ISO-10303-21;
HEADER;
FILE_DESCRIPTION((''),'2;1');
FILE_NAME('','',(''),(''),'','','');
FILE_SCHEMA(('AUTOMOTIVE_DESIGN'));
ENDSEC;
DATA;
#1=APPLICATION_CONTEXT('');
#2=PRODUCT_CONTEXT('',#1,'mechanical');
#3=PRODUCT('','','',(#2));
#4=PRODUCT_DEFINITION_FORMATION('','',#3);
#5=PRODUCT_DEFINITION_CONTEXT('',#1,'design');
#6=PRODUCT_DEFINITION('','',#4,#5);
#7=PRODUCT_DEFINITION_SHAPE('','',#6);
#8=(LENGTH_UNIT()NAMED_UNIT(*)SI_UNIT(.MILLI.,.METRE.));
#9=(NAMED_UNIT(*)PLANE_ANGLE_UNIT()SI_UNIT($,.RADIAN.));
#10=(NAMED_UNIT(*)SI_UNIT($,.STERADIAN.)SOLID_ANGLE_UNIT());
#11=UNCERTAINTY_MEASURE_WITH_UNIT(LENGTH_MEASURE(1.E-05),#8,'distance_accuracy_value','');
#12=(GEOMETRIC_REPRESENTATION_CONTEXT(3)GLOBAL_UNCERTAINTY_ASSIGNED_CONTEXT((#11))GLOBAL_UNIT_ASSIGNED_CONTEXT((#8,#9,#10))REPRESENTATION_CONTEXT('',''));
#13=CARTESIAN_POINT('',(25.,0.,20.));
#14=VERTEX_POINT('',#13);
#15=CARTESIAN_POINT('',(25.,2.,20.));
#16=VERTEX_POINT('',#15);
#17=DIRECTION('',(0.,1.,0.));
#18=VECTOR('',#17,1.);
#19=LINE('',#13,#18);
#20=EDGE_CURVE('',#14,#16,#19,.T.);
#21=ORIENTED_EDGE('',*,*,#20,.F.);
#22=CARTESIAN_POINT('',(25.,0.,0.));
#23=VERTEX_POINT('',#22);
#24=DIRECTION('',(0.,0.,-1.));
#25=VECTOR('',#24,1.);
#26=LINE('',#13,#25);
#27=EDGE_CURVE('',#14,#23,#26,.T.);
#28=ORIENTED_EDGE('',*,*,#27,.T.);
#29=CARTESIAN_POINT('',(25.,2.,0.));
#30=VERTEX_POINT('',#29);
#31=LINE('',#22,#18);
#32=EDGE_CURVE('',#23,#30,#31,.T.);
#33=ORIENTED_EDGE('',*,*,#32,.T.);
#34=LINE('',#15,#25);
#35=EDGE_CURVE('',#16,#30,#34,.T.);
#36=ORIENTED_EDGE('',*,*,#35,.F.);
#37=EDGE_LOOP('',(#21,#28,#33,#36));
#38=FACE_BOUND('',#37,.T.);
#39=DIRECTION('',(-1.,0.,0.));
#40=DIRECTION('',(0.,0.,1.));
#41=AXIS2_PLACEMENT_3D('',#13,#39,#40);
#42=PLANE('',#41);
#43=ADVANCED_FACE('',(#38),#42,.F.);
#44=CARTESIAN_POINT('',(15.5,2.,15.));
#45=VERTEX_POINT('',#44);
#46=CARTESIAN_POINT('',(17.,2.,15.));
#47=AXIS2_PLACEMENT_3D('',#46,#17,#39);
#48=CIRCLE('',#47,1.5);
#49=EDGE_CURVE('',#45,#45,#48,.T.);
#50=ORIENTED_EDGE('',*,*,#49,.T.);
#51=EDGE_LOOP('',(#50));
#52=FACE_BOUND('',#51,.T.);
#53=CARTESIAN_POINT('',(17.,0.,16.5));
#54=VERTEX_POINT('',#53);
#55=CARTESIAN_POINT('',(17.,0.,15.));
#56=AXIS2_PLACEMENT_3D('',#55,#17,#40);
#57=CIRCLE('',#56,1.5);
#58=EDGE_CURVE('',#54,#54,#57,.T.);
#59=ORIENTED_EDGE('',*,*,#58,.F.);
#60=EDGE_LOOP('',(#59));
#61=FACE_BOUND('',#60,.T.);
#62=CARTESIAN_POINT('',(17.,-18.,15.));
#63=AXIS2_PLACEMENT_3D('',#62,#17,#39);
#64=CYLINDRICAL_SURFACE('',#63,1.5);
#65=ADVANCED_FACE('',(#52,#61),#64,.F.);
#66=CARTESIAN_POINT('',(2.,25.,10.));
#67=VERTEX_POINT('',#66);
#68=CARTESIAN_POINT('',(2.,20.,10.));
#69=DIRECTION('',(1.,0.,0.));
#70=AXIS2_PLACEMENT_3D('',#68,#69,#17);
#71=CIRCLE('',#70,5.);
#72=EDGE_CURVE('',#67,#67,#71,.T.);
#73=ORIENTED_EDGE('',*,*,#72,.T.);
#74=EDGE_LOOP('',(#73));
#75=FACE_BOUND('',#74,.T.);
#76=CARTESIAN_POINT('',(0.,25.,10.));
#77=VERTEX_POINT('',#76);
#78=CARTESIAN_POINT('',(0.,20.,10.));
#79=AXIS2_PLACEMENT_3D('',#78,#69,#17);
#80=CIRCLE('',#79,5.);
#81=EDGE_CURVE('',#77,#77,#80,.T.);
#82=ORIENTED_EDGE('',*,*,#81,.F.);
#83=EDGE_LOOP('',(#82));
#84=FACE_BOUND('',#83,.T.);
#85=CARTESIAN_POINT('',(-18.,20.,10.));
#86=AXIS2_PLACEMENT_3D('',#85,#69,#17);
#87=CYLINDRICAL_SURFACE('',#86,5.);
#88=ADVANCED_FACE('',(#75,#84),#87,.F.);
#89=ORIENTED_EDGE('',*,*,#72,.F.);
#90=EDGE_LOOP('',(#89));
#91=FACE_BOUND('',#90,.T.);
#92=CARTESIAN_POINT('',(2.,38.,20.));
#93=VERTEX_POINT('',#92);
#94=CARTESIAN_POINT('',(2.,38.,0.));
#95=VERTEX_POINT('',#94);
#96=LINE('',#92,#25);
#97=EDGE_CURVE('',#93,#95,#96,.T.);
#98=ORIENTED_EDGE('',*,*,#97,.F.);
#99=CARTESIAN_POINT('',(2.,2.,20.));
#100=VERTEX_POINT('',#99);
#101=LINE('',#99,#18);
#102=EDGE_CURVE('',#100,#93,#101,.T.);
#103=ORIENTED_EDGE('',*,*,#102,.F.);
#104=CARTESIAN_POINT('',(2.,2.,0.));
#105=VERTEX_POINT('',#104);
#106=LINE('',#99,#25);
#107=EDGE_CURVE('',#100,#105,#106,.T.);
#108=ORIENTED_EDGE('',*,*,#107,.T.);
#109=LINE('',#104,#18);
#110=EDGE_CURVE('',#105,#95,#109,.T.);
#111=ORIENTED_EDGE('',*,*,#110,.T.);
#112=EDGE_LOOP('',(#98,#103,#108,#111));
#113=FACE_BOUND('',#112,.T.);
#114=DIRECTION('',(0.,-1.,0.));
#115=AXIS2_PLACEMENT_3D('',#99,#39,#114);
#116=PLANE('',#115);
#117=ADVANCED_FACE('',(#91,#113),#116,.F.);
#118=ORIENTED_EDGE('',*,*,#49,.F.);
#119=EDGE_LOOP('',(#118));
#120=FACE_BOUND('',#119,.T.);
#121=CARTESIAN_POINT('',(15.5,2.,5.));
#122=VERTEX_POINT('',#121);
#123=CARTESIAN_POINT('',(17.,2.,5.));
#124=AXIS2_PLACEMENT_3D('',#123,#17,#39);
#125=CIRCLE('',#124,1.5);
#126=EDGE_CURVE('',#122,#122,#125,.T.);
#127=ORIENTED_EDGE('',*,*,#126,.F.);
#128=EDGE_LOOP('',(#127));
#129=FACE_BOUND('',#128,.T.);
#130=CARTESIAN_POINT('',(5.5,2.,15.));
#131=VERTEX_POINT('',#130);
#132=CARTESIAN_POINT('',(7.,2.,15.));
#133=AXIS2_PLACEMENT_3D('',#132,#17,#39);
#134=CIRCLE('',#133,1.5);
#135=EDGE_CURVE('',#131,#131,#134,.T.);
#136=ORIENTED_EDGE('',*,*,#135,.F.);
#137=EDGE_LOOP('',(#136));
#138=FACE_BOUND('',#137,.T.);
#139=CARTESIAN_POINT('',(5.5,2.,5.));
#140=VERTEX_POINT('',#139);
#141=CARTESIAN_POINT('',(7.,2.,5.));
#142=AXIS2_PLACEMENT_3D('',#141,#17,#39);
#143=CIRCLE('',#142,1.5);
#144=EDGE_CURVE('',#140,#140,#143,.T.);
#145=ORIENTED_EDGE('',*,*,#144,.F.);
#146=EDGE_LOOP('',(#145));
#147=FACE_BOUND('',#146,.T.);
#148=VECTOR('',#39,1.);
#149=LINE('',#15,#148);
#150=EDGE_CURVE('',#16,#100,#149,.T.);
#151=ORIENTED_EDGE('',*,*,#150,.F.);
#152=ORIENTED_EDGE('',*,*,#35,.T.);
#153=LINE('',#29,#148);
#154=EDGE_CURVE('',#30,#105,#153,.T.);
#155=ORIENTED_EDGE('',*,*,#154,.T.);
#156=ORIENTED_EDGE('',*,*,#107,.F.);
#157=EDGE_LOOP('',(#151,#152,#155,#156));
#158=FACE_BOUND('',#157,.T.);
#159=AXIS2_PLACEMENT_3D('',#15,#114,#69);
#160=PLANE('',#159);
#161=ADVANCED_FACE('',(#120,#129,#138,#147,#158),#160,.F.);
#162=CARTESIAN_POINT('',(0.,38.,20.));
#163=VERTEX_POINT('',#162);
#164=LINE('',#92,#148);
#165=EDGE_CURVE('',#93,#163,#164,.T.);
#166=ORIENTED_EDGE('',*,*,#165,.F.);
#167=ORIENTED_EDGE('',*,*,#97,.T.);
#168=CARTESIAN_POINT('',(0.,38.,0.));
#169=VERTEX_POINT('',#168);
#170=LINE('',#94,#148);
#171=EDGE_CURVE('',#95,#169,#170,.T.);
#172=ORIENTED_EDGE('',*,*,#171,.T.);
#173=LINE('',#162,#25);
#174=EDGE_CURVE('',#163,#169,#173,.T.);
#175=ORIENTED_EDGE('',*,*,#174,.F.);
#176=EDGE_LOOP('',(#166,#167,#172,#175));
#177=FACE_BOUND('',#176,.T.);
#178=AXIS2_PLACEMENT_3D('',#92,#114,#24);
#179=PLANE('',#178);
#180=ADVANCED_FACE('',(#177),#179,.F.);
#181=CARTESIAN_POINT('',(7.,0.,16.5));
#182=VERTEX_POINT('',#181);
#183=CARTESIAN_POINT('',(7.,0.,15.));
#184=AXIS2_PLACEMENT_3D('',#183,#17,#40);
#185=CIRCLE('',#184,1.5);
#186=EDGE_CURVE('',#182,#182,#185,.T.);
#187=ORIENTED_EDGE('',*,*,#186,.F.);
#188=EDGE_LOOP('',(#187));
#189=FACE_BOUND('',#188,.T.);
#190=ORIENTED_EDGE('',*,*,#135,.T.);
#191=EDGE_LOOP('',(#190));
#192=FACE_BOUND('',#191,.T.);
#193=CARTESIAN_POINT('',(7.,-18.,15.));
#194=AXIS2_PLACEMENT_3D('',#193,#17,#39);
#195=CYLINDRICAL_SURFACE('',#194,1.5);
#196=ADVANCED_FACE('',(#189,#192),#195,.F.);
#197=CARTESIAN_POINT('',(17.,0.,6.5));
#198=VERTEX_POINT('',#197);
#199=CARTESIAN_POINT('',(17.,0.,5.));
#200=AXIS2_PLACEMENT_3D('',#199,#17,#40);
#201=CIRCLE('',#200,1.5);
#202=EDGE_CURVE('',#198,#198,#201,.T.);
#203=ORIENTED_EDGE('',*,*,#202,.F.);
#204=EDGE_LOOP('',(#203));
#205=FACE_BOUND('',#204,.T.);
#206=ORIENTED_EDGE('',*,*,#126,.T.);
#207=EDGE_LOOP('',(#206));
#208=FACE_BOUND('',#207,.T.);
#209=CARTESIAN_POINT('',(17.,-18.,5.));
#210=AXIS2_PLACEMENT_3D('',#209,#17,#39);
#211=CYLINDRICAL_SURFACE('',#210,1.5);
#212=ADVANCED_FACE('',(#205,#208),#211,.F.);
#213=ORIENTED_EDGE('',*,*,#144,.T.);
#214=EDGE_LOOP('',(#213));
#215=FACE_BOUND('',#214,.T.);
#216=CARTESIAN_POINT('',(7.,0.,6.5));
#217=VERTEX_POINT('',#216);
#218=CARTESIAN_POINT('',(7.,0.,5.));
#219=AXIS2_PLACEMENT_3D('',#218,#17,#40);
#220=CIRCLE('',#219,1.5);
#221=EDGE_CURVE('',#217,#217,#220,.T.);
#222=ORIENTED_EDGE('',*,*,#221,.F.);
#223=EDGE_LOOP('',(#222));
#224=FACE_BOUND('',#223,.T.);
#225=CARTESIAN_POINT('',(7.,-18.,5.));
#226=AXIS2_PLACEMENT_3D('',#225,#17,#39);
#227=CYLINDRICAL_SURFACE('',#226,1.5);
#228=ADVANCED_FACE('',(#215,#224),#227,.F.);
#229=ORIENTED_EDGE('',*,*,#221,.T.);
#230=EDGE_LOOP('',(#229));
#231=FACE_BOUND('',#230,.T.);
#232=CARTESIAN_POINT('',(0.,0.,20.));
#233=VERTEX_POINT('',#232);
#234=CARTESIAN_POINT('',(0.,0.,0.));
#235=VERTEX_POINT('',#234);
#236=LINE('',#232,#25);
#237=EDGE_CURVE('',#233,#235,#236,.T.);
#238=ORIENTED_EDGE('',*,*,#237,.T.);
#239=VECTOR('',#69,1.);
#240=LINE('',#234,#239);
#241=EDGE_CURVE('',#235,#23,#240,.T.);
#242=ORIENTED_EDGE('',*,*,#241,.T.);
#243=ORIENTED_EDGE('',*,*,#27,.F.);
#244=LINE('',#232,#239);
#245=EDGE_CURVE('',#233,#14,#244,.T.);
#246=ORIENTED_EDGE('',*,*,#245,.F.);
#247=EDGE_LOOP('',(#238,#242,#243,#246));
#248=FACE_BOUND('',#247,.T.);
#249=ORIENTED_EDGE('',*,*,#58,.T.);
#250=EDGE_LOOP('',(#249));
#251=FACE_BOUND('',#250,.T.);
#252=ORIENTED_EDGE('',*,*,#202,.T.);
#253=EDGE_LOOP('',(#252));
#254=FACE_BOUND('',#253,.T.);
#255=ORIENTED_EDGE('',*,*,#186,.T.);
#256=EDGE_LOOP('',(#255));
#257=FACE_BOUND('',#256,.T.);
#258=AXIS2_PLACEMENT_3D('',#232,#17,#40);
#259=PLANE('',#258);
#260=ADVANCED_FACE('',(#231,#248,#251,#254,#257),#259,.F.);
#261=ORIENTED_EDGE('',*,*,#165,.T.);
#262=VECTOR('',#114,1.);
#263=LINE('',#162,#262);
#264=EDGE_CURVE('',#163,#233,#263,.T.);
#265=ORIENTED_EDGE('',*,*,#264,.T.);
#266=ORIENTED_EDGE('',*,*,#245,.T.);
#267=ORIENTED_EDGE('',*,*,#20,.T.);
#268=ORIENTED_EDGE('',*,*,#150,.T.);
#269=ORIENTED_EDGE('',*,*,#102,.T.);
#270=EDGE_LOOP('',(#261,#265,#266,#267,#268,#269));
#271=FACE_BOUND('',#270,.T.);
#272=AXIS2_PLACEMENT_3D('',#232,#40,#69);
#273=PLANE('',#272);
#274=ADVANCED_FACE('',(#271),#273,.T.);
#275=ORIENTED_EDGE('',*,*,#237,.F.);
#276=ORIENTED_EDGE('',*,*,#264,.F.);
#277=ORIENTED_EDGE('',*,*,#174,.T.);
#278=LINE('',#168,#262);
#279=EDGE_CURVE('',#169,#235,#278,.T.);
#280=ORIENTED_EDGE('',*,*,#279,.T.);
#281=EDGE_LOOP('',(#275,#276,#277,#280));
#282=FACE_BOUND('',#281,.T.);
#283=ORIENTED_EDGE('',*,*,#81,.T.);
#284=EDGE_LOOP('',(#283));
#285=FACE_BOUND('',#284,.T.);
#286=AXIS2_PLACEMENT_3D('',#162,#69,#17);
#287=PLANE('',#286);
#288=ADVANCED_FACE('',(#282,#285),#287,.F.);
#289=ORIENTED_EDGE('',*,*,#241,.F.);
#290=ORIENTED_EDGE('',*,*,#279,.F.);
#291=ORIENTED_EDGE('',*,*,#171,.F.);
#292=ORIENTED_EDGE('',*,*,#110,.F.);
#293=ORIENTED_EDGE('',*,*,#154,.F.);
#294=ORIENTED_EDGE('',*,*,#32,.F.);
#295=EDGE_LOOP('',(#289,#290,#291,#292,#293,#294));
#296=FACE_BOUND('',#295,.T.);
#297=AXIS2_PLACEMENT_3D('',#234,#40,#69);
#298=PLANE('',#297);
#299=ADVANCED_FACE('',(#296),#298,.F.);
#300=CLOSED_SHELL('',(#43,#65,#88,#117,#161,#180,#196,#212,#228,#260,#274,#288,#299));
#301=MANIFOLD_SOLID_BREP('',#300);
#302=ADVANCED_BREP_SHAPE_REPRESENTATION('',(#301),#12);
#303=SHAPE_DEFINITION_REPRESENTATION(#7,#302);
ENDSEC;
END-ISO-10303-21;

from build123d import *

# Parameters (mm, degrees)
EXTRUDE_1_DEPTH     = 20
SKETCH_3_R          = 1.5
CUT_EXTRUDE_1_DEPTH = 20
SKETCH_4_R          = 5
CUT_EXTRUDE_2_DEPTH = 20


with BuildPart() as part:
    # 草图1 → 凸台-拉伸1 (new body)
    with BuildSketch(Plane.XY):
        Polygon((0, 0), (25, 0), (25, 2), (2, 2), (2, 38), (0, 38), align=None)
    extrude(amount=EXTRUDE_1_DEPTH)

    # 草图3 → 切除-拉伸1 (cut)
    with BuildSketch(Plane(origin=(0, 2, 0), x_dir=(1, 0, 0), z_dir=(0, 1, 0))):
        with Locations(Location((17, -5, 0), (0, 0, 180))):
            Circle(SKETCH_3_R)
        with Locations(Location((17, -15, 0), (0, 0, 180))):
            Circle(SKETCH_3_R)
        with Locations(Location((7, -5, 0), (0, 0, 180))):
            Circle(SKETCH_3_R)
        with Locations(Location((7, -15, 0), (0, 0, 180))):
            Circle(SKETCH_3_R)
    extrude(amount=-CUT_EXTRUDE_1_DEPTH, mode=Mode.SUBTRACT)

    # 草图4 → 切除-拉伸2 (cut)
    with BuildSketch(Plane(origin=(2, 0, 0), x_dir=(0, 0, -1), z_dir=(1, 0, 0))):
        with Locations(Location((-10, 20, 0), (0, 0, 90))):
            Circle(SKETCH_4_R)
    extrude(amount=-CUT_EXTRUDE_2_DEPTH, mode=Mode.SUBTRACT)


solid = part.part
